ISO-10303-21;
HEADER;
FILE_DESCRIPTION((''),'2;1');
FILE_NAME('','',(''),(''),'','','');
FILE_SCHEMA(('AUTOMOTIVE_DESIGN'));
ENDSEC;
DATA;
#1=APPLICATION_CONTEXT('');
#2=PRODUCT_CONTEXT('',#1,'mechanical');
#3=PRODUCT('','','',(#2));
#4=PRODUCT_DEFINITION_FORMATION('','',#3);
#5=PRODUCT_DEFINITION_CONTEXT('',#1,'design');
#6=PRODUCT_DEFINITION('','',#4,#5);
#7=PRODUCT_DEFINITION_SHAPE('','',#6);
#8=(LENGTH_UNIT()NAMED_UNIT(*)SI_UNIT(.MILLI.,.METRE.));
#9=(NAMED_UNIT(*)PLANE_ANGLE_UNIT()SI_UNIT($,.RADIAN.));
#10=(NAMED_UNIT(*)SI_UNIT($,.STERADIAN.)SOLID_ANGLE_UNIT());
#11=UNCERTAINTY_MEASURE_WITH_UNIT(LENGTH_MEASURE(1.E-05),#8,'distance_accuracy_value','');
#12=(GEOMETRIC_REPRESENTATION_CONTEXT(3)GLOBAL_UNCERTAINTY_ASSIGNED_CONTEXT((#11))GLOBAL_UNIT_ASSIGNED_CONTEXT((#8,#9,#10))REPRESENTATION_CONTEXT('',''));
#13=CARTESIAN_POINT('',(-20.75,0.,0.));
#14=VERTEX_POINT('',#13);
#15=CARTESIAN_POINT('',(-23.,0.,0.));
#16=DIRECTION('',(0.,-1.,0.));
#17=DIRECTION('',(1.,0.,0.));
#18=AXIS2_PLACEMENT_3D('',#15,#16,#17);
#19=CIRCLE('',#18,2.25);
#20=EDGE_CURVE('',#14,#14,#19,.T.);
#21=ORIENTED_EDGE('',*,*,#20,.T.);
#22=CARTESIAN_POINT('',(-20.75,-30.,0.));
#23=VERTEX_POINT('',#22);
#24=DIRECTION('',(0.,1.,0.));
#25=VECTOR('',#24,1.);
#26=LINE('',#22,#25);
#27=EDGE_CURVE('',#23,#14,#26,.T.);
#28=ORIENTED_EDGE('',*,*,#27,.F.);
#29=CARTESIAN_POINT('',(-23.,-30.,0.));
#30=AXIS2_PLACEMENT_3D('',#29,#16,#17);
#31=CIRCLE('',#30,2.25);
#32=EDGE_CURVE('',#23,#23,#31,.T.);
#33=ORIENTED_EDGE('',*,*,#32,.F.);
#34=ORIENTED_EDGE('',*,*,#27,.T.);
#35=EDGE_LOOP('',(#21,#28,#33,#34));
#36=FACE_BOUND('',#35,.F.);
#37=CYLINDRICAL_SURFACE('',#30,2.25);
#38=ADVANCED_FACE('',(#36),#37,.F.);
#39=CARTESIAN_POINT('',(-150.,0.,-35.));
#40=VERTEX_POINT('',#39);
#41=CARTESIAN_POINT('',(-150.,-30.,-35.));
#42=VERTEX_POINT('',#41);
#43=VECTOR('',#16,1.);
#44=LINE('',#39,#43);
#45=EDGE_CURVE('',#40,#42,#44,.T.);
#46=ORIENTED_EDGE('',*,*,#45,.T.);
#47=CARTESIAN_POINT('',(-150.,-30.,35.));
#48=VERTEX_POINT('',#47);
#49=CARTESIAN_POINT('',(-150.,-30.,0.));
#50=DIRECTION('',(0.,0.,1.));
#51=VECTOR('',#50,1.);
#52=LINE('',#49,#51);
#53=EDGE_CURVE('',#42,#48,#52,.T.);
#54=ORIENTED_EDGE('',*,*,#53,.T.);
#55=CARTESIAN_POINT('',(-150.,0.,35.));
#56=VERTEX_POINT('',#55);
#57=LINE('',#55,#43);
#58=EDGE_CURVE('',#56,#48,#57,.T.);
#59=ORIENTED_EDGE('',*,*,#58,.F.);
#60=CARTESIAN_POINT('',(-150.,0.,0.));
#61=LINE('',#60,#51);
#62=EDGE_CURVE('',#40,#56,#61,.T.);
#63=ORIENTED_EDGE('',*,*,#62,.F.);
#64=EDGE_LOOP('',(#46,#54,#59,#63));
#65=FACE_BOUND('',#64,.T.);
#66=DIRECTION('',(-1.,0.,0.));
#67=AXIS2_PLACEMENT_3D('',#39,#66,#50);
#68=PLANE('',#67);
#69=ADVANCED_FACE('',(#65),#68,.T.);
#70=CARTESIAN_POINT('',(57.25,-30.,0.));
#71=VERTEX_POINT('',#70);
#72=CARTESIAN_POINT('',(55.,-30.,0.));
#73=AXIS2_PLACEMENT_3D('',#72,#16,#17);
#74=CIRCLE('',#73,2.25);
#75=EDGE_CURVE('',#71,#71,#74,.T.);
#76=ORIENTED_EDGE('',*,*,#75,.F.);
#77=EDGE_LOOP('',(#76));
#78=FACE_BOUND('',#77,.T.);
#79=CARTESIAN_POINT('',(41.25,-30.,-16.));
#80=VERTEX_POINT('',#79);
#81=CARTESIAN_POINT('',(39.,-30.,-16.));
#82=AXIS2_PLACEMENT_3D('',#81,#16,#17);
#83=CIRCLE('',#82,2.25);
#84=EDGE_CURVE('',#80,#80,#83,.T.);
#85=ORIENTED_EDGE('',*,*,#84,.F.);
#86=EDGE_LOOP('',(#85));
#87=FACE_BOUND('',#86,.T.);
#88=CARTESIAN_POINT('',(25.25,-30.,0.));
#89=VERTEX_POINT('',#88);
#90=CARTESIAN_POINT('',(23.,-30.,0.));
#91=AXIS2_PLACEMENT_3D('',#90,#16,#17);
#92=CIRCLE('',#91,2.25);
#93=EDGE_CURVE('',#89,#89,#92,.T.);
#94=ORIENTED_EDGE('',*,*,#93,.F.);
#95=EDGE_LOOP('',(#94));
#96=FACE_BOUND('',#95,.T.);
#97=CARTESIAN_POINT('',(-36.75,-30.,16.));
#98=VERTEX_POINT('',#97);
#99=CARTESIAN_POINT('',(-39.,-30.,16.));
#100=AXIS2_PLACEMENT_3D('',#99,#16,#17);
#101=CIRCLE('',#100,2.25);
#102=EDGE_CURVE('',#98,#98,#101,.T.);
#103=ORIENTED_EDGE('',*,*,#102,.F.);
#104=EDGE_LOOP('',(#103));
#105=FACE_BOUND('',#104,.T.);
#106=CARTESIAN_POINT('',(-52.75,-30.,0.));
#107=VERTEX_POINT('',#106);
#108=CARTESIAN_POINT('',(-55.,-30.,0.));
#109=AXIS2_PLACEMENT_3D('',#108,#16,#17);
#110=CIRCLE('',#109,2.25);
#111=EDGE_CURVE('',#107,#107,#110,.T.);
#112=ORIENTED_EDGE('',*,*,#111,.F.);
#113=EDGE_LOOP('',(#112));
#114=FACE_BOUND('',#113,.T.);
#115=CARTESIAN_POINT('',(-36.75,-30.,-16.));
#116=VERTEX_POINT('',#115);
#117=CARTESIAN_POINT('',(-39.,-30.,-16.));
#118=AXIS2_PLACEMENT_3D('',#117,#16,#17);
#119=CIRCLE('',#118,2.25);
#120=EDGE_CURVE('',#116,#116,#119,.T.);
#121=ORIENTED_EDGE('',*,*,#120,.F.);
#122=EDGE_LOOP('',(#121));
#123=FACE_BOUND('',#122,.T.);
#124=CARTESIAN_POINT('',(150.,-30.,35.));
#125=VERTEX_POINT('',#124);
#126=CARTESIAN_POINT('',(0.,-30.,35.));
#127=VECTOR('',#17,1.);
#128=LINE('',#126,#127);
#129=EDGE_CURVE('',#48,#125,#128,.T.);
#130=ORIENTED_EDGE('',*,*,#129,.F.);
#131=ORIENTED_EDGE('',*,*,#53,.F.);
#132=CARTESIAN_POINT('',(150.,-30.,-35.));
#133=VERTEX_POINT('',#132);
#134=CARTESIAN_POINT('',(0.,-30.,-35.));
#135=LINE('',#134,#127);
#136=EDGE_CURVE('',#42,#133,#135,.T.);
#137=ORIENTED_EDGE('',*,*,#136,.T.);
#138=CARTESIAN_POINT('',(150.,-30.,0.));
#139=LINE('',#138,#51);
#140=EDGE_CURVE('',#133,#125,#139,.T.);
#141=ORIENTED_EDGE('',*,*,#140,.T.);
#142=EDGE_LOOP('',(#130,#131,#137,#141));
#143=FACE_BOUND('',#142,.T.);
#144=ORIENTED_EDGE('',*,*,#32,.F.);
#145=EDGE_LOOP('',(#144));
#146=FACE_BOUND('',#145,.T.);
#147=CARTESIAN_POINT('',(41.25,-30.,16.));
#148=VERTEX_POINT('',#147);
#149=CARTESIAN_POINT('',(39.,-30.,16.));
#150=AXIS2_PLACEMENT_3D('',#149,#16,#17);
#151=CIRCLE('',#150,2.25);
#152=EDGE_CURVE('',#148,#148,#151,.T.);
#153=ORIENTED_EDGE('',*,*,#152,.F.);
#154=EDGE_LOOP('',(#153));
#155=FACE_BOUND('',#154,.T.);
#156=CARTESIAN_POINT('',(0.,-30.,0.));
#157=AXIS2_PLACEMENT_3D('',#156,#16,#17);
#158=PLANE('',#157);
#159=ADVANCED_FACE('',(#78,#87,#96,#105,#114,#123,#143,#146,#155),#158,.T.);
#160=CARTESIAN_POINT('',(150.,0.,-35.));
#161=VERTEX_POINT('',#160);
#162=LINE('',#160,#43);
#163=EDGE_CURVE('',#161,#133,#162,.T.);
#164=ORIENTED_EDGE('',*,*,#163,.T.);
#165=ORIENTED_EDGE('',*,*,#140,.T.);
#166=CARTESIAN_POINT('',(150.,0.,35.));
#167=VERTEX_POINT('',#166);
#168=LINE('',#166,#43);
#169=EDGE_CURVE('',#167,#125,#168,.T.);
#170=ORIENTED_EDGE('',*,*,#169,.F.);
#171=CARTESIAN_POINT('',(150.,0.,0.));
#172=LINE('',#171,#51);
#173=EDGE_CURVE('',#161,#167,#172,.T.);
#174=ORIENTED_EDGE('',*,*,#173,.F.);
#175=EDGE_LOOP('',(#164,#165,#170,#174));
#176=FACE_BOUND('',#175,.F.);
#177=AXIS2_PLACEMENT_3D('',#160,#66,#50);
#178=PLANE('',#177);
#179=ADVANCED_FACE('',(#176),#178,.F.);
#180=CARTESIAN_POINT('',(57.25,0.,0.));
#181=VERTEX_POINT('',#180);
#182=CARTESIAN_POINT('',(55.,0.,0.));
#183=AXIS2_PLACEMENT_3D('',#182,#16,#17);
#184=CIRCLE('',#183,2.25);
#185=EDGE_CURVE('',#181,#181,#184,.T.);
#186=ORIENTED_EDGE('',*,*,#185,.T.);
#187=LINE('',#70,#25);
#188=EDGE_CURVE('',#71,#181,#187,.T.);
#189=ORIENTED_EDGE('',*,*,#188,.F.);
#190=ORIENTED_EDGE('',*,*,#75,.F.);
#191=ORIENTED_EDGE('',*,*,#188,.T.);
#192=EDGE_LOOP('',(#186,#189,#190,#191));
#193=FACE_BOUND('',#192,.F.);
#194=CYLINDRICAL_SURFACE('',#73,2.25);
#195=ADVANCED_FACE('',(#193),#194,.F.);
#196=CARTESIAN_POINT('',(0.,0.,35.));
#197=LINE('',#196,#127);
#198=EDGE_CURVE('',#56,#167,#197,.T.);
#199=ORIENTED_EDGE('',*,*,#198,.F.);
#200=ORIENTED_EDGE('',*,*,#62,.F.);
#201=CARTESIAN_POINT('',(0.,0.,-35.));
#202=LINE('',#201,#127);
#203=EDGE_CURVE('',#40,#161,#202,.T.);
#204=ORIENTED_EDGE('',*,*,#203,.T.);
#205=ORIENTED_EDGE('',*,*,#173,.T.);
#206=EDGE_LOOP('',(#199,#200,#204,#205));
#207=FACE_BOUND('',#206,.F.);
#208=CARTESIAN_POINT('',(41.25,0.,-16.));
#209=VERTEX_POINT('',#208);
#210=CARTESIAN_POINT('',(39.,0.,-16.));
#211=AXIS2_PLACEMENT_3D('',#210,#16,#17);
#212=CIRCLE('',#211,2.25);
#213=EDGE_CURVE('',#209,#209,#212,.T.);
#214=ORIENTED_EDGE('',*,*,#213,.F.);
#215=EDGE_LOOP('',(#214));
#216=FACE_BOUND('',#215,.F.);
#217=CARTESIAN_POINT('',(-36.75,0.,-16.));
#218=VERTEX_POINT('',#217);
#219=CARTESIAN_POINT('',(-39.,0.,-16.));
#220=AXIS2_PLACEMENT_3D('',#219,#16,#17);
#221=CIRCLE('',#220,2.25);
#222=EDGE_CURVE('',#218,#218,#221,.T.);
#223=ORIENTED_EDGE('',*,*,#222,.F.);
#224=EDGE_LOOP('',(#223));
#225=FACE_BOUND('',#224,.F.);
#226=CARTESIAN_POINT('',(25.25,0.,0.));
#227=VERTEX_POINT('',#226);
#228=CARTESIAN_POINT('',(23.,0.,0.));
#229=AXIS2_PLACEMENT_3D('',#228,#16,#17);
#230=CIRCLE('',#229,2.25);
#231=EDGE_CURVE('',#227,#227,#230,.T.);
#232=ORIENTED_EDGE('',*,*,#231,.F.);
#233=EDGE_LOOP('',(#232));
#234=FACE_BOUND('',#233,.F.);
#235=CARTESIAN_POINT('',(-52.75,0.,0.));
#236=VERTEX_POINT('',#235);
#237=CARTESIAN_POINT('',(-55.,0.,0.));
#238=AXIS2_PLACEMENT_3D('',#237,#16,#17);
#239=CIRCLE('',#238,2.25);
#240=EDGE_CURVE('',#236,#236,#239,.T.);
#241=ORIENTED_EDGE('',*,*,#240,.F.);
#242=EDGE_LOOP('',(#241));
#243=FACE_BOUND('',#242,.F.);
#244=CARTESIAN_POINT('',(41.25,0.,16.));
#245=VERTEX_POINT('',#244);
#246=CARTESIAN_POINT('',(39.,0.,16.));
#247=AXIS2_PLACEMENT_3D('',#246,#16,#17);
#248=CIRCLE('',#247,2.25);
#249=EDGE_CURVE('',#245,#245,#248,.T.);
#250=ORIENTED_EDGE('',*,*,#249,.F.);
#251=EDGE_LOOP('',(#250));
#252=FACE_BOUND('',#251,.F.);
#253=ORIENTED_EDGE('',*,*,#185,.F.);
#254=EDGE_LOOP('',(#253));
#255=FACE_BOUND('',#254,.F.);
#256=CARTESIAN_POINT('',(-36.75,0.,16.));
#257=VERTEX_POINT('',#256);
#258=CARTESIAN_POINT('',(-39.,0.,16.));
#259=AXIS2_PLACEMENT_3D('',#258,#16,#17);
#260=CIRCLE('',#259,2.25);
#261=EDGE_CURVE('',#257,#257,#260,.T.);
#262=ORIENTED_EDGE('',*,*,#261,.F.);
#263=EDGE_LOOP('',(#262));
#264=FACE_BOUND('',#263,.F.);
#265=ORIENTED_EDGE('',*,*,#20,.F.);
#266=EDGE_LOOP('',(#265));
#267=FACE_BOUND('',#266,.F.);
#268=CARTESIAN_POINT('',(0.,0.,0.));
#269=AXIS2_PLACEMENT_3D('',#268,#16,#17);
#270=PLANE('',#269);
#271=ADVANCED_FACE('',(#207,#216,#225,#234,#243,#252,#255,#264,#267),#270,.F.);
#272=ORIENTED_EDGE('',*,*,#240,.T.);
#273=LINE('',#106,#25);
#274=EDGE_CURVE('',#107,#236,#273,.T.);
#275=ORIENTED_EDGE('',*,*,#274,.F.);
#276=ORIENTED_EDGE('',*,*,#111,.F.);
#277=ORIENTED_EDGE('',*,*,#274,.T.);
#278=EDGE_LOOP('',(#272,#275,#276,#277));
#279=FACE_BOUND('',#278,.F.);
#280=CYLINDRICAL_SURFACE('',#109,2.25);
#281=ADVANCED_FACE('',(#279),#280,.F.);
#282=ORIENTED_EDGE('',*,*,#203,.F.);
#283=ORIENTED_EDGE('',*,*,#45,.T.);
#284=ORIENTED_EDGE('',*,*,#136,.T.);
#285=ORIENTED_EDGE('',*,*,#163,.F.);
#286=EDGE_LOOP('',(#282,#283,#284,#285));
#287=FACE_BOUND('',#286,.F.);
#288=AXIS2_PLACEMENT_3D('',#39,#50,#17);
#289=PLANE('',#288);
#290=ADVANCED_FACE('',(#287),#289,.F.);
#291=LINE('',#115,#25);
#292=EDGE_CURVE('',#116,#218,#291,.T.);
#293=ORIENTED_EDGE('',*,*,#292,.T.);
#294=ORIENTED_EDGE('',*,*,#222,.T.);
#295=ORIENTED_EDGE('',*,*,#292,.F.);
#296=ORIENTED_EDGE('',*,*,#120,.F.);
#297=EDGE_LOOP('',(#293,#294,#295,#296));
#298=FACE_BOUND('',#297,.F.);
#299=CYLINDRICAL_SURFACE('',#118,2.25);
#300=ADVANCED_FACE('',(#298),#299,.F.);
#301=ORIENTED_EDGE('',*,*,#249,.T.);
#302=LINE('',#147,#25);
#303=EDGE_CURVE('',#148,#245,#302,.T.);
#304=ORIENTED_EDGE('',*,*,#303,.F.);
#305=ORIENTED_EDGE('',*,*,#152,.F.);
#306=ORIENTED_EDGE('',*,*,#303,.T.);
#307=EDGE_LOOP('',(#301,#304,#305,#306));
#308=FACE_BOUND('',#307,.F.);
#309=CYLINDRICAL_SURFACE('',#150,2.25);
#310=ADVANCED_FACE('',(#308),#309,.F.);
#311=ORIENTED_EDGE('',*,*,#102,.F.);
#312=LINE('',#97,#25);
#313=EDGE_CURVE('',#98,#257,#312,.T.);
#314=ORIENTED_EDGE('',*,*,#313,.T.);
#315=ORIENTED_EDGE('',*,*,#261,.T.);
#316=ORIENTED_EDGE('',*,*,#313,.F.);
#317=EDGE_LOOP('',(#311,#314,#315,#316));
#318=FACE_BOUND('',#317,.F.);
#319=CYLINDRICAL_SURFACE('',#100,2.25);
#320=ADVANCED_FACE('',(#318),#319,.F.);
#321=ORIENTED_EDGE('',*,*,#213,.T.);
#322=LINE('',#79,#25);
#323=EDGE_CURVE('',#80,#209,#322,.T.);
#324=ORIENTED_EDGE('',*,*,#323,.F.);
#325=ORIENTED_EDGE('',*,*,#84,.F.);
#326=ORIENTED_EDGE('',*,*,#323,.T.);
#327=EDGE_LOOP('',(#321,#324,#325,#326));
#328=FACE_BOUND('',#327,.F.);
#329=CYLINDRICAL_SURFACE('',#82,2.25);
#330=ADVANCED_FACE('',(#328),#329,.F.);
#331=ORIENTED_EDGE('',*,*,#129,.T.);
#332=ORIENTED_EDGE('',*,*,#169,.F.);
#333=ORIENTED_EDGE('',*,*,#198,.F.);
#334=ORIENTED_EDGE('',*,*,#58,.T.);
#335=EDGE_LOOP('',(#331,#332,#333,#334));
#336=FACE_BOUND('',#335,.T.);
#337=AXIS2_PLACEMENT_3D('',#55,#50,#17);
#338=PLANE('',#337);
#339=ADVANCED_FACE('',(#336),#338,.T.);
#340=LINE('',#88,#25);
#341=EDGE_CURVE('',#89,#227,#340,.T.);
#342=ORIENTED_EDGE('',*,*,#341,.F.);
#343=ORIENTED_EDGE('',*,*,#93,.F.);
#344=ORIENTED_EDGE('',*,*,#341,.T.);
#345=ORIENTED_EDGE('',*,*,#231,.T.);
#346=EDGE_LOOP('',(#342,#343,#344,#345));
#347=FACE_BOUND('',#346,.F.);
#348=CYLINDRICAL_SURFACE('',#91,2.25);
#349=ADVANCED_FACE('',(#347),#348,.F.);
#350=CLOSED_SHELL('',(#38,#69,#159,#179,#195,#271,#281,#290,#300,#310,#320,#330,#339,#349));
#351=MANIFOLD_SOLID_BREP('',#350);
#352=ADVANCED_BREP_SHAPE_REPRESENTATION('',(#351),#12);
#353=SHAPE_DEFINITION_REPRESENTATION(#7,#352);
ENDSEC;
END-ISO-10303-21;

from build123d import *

# Parameters (mm, degrees)
F0_W     = 300
F0_H     = 70
F1_DEPTH = 30
F2_R     = 2.25
F3_DEPTH = 30.001


with BuildPart() as f1:
    # F0 (on Front) → F1 (new body)
    with BuildSketch(Plane.XZ):
        Rectangle(F0_W, F0_H)
    extrude(amount=F1_DEPTH)

    # F2 (on face) → F3 (cut, through all)
    with BuildSketch(Plane.XZ.offset(30)):
        with Locations((39, -16)):
            Circle(F2_R)
        with Locations((55, 0)):
            Circle(F2_R)
        with Locations((39, 16)):
            Circle(F2_R)
        with Locations((23, 0)):
            Circle(F2_R)
        with Locations((-39, -16)):
            Circle(F2_R)
        with Locations((-39, 16)):
            Circle(F2_R)
        with Locations((-55, 0)):
            Circle(F2_R)
        with Locations((-23, 0)):
            Circle(F2_R)
    extrude(amount=-F3_DEPTH, mode=Mode.SUBTRACT)


solid = f1.part
